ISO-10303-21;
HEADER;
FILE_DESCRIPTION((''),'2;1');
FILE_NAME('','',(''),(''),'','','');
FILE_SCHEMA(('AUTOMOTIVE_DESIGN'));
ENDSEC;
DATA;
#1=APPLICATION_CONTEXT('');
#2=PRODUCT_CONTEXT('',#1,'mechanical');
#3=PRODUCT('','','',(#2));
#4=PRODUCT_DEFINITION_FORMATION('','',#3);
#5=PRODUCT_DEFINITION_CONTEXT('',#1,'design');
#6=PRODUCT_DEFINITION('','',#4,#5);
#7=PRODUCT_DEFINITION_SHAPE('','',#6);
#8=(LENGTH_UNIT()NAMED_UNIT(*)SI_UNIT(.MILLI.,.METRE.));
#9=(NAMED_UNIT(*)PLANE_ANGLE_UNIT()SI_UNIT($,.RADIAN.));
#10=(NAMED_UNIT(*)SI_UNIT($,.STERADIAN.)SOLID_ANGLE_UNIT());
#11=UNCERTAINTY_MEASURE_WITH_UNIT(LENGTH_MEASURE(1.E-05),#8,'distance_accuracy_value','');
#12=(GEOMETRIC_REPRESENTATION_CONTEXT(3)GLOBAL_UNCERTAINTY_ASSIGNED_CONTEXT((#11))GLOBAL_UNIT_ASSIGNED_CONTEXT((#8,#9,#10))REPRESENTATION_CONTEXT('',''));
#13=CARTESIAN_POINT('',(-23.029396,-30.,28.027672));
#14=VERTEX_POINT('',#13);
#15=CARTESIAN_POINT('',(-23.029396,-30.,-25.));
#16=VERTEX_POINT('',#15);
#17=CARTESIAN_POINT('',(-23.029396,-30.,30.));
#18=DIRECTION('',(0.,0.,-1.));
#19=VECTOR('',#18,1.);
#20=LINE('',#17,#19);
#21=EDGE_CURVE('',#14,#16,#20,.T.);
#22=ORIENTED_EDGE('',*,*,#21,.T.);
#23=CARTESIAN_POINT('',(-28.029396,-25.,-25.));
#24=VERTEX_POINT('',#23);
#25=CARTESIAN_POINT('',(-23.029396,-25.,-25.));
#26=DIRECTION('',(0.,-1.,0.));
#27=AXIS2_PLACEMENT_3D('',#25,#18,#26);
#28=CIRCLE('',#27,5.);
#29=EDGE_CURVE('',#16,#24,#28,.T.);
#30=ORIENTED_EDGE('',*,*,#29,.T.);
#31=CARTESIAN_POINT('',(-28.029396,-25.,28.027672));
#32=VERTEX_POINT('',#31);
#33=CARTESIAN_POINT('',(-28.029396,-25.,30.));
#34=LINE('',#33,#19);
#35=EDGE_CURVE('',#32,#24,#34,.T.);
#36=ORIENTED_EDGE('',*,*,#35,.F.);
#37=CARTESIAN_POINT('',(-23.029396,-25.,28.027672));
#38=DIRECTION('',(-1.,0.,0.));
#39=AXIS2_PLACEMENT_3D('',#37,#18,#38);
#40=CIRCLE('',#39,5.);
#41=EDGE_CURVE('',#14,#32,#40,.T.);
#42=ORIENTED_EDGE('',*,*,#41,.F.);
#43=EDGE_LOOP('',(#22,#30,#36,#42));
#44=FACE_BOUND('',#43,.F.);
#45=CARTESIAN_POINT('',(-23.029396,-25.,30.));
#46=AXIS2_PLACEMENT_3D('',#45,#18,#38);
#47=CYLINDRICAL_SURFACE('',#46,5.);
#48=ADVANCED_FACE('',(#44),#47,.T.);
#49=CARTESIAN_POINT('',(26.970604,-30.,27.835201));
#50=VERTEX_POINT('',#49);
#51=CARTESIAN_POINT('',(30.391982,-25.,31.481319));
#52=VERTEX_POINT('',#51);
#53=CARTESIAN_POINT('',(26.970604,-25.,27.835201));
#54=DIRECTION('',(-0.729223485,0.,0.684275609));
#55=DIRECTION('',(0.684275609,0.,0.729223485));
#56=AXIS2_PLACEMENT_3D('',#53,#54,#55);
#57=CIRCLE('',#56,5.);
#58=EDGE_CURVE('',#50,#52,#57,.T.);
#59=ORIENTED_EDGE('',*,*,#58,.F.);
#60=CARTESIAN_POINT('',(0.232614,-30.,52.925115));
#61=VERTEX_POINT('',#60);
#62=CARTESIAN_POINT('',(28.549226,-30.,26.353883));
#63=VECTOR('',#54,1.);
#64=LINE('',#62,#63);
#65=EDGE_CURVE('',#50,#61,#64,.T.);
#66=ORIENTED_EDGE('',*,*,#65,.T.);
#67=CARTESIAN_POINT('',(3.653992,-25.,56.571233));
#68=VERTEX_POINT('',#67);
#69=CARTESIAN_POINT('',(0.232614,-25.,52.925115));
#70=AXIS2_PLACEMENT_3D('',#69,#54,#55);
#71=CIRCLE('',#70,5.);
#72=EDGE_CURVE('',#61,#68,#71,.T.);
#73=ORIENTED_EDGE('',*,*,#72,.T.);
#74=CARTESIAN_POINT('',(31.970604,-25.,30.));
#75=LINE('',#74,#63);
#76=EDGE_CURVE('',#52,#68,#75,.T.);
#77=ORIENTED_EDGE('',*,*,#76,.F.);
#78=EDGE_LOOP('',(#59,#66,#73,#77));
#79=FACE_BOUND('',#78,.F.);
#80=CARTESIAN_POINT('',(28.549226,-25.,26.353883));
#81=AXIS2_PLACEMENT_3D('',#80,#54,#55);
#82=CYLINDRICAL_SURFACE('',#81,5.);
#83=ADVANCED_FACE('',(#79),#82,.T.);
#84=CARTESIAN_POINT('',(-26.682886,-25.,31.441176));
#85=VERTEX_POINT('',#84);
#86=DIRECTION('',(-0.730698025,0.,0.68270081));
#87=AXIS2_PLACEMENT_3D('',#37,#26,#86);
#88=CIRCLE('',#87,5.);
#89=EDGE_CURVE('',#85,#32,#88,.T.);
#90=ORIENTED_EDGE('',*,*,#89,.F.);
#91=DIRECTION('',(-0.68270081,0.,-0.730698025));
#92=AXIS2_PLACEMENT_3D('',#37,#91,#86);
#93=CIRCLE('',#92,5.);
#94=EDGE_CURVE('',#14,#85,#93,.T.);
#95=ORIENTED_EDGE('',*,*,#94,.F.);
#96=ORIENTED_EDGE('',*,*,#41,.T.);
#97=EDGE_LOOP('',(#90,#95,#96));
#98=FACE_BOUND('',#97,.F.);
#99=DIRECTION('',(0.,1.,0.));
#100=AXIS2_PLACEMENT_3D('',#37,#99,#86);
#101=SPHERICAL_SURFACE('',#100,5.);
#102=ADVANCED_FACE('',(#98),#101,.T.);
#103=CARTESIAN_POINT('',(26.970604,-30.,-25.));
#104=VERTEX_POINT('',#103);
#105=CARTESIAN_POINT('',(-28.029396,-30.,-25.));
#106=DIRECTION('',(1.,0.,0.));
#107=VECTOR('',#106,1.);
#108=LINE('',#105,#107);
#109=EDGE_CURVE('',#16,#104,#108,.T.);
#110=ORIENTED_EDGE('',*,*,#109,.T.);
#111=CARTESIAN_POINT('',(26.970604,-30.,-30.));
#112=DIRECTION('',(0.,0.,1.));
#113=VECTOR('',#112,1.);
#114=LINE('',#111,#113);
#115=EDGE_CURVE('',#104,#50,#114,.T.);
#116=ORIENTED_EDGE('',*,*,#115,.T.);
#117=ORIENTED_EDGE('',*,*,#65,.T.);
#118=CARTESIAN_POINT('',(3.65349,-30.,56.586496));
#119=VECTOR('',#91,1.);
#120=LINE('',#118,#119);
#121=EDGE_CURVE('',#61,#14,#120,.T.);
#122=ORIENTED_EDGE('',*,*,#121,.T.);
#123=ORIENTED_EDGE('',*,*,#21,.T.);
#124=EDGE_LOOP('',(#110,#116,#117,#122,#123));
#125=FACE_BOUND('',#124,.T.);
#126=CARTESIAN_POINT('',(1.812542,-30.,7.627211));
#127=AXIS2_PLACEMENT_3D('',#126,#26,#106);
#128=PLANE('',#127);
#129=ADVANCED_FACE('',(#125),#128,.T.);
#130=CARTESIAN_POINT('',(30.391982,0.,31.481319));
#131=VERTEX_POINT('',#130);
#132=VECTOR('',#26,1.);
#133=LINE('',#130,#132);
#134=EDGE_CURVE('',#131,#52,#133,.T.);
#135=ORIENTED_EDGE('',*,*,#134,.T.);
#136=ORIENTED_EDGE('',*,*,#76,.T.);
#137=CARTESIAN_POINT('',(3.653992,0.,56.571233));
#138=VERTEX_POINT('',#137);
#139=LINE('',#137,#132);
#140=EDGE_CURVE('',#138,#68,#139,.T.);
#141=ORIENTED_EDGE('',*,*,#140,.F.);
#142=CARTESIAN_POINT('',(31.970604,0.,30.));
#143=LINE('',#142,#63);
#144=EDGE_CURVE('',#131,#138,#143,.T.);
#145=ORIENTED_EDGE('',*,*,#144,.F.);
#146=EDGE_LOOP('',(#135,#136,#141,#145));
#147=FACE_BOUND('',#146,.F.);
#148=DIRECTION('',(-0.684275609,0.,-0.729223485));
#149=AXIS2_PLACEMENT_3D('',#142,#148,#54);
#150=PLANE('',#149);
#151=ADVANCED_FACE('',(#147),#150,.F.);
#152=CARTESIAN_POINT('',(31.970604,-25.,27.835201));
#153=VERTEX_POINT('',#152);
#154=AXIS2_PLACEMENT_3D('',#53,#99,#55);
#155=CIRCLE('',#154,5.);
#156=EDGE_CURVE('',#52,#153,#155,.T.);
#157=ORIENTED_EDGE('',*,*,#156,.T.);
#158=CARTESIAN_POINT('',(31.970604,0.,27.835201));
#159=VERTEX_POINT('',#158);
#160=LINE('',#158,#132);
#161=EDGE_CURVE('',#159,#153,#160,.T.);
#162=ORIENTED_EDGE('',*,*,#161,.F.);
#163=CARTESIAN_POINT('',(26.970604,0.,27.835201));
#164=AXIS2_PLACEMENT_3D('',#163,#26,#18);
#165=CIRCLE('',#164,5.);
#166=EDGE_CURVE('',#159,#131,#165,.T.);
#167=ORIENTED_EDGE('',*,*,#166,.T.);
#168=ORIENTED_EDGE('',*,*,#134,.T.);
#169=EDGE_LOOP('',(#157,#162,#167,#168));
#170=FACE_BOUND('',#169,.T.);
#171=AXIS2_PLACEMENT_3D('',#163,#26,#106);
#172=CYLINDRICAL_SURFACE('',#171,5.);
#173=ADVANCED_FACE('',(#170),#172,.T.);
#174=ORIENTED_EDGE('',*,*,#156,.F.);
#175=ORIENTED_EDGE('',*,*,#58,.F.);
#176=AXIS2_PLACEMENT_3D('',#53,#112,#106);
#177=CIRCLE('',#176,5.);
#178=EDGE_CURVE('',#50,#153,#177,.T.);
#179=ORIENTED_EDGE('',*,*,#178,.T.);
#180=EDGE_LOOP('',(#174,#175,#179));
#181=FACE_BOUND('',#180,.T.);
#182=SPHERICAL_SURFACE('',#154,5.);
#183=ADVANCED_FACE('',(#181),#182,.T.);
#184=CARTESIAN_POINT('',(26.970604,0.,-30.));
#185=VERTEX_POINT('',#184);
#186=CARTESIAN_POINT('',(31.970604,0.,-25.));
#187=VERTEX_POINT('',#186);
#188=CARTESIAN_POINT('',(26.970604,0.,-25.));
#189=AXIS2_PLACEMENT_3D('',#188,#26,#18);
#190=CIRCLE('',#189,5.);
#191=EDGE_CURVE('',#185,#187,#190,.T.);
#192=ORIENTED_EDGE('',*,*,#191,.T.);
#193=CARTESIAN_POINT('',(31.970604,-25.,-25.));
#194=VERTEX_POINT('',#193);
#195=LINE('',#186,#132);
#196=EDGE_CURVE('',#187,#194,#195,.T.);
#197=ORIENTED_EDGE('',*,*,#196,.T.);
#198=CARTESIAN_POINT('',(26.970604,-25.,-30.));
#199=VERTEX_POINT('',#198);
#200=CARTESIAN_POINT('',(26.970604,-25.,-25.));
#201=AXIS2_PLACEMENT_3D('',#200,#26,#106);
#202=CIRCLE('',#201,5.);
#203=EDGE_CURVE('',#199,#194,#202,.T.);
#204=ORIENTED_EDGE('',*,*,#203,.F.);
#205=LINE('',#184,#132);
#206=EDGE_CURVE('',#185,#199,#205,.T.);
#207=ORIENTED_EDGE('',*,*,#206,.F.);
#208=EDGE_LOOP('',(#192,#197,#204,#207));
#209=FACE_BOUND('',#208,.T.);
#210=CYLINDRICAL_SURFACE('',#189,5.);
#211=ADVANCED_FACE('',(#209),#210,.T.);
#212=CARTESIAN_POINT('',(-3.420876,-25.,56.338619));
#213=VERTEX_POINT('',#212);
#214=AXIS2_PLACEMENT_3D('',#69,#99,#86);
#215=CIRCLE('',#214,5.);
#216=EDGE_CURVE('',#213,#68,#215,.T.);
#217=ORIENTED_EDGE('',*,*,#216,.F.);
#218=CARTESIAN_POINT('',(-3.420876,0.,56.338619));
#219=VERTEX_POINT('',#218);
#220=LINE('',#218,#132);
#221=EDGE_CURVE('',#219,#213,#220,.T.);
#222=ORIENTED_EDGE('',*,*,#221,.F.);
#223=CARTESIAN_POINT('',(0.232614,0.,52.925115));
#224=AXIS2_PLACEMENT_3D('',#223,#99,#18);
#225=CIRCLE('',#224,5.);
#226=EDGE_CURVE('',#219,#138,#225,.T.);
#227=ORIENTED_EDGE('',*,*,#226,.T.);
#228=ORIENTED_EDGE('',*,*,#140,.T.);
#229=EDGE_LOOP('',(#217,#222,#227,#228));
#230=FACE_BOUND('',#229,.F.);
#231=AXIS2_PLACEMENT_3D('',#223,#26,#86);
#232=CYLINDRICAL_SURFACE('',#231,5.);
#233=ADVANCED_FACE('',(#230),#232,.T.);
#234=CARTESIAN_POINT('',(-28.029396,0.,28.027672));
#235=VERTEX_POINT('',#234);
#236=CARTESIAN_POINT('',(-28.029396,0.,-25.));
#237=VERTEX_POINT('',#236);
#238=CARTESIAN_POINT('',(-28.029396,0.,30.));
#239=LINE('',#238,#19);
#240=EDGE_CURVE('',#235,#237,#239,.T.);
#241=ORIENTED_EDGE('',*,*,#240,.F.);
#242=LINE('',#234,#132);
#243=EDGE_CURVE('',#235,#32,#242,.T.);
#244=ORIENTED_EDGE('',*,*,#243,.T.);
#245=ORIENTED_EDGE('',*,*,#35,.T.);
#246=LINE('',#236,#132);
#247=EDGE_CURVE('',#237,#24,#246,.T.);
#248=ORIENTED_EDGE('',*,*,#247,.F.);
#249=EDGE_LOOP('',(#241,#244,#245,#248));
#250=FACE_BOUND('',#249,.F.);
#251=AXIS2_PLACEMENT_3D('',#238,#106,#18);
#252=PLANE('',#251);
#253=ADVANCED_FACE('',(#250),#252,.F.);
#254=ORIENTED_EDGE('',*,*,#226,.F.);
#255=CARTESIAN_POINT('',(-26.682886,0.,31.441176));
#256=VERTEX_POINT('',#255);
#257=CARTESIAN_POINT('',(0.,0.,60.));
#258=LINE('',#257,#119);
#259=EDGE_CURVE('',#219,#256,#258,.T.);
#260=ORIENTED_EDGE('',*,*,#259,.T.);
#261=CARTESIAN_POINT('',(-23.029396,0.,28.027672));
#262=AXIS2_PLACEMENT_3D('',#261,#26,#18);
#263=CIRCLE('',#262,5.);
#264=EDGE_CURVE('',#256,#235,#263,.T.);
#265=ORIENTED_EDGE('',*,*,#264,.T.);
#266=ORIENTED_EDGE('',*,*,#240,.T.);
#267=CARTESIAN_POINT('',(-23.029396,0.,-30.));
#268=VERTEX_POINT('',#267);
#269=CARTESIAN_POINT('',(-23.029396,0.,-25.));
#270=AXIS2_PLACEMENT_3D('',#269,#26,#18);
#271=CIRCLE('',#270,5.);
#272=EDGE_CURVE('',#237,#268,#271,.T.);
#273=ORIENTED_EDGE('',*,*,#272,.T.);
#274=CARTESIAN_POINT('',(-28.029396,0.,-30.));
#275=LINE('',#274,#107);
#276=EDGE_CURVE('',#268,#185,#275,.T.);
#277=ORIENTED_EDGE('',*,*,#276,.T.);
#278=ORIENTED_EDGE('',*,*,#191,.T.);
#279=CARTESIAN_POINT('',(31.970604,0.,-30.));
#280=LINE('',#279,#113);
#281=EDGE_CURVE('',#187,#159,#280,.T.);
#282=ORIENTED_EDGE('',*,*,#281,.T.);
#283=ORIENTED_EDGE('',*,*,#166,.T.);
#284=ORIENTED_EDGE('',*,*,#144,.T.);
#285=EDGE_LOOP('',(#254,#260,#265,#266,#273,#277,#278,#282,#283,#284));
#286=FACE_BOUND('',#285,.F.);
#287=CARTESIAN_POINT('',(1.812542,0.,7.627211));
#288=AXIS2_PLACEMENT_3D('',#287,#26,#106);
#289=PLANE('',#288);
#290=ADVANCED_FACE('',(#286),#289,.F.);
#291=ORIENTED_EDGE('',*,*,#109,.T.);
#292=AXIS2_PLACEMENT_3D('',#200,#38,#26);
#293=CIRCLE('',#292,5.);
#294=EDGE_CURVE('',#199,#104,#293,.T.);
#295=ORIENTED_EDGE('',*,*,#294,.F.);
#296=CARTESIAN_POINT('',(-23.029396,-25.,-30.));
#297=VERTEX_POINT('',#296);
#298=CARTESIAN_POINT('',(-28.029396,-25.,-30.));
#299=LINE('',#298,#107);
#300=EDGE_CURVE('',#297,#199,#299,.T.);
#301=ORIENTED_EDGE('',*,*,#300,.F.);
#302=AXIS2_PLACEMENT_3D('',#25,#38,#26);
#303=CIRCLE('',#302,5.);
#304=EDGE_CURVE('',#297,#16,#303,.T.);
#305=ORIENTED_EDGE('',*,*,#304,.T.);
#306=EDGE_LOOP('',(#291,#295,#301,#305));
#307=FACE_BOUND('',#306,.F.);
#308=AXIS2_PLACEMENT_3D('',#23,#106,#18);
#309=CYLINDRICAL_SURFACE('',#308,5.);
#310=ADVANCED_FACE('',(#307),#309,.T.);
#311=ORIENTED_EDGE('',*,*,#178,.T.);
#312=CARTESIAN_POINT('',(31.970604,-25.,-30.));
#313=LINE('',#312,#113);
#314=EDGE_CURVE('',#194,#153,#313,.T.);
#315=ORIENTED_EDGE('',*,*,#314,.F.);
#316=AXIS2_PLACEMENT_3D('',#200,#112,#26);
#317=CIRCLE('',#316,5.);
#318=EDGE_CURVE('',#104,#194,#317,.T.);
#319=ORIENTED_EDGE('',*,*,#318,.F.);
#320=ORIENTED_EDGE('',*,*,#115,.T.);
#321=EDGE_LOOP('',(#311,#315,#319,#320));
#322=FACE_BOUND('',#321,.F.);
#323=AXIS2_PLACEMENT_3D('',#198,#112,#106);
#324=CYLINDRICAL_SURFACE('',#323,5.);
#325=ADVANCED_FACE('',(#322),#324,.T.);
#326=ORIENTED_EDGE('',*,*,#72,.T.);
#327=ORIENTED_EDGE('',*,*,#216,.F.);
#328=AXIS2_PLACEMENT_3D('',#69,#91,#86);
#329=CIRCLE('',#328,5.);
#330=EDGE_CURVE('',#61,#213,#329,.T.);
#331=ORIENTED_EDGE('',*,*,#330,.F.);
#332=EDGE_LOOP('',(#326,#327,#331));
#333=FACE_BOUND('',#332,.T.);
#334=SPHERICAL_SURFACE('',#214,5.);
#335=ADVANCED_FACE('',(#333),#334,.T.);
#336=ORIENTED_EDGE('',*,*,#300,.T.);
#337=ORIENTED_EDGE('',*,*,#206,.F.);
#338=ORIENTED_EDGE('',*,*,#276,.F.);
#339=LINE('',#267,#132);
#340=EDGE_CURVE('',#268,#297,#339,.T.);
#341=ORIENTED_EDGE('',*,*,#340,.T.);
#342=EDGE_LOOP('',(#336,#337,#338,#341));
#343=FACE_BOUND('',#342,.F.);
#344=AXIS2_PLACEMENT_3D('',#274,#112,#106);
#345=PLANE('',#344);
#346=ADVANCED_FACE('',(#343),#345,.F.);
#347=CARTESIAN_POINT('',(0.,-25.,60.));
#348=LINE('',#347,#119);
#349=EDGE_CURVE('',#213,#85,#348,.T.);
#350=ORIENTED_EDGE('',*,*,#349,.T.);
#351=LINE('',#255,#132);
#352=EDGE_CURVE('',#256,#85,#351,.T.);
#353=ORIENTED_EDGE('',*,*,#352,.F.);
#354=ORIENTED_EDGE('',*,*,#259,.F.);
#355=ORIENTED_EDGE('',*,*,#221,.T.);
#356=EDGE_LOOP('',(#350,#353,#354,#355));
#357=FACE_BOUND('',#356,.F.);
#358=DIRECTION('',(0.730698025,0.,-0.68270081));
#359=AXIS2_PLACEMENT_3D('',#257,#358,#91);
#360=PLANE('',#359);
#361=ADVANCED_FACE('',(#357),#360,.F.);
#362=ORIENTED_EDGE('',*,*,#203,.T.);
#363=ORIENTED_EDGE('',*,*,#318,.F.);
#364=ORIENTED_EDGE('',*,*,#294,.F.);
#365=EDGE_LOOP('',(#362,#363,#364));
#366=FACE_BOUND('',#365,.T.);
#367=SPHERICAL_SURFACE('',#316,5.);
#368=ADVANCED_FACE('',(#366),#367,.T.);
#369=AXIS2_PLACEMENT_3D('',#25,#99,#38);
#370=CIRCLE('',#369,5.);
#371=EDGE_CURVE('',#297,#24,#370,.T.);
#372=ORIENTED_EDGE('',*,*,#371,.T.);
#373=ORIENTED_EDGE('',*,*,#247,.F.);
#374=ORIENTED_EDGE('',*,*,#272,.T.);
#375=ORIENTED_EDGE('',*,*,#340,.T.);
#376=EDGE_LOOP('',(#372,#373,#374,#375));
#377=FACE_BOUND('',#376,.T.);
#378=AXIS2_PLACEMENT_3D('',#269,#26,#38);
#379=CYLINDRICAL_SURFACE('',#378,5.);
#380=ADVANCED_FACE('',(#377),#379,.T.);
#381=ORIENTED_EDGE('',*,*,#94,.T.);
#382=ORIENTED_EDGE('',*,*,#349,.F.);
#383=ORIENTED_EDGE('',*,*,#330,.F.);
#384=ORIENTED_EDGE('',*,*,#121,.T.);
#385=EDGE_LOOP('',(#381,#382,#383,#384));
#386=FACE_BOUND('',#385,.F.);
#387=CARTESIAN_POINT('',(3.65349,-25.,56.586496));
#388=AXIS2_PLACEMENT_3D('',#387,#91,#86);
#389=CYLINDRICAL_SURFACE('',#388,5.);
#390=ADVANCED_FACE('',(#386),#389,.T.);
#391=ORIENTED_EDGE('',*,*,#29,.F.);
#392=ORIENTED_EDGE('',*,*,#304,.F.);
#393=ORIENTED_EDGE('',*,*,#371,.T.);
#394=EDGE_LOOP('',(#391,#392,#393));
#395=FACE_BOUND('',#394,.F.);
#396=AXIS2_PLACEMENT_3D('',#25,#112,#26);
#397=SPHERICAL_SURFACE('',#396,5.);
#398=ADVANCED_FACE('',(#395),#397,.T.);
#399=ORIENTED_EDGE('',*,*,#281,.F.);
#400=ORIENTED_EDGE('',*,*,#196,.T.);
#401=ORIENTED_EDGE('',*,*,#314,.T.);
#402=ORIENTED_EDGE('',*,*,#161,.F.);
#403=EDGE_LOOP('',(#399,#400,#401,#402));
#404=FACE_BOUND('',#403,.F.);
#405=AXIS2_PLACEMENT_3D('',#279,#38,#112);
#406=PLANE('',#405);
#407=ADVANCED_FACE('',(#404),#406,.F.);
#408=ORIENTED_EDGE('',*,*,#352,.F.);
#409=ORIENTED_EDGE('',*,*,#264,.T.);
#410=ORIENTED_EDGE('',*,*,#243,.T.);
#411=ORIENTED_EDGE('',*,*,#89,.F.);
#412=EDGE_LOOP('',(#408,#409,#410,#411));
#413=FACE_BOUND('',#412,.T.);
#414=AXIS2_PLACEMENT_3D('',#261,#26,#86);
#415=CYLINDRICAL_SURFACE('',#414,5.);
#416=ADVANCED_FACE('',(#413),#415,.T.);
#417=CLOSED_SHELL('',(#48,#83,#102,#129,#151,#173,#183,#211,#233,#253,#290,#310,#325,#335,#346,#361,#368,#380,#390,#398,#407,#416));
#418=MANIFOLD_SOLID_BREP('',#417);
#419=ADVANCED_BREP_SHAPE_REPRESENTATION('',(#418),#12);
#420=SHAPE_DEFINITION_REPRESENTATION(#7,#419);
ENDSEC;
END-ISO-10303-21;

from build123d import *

# Parameters (mm, degrees)
F1_DEPTH = 30
F2_R     = 5


with BuildPart() as f1:
    # F0 (on Front) → F1 (new body)
    with BuildSketch(Plane.XZ):
        Polygon((0, 60), (-28.029396, 30), (-28.029396, -30), (31.970604, -30), (31.970604, 30), align=None)
    extrude(amount=F1_DEPTH)

    # F2
    f2_edges = [f1.edges().sort_by_distance(p)[0] for p in [
        (-14.014698, -30, 45),
        (15.985302, -30, 45),
        (-28.029396, -30, 0),
        (-28.029396, -15, 30),
        (0, -15, 60),
        (31.970604, -30, 0),
        (1.970604, -30, -30),
        (-28.029396, -15, -30),
        (31.970604, -15, -30),
        (31.970604, -15, 30),
    ]]
    fillet(f2_edges, radius=F2_R)


solid = f1.part
